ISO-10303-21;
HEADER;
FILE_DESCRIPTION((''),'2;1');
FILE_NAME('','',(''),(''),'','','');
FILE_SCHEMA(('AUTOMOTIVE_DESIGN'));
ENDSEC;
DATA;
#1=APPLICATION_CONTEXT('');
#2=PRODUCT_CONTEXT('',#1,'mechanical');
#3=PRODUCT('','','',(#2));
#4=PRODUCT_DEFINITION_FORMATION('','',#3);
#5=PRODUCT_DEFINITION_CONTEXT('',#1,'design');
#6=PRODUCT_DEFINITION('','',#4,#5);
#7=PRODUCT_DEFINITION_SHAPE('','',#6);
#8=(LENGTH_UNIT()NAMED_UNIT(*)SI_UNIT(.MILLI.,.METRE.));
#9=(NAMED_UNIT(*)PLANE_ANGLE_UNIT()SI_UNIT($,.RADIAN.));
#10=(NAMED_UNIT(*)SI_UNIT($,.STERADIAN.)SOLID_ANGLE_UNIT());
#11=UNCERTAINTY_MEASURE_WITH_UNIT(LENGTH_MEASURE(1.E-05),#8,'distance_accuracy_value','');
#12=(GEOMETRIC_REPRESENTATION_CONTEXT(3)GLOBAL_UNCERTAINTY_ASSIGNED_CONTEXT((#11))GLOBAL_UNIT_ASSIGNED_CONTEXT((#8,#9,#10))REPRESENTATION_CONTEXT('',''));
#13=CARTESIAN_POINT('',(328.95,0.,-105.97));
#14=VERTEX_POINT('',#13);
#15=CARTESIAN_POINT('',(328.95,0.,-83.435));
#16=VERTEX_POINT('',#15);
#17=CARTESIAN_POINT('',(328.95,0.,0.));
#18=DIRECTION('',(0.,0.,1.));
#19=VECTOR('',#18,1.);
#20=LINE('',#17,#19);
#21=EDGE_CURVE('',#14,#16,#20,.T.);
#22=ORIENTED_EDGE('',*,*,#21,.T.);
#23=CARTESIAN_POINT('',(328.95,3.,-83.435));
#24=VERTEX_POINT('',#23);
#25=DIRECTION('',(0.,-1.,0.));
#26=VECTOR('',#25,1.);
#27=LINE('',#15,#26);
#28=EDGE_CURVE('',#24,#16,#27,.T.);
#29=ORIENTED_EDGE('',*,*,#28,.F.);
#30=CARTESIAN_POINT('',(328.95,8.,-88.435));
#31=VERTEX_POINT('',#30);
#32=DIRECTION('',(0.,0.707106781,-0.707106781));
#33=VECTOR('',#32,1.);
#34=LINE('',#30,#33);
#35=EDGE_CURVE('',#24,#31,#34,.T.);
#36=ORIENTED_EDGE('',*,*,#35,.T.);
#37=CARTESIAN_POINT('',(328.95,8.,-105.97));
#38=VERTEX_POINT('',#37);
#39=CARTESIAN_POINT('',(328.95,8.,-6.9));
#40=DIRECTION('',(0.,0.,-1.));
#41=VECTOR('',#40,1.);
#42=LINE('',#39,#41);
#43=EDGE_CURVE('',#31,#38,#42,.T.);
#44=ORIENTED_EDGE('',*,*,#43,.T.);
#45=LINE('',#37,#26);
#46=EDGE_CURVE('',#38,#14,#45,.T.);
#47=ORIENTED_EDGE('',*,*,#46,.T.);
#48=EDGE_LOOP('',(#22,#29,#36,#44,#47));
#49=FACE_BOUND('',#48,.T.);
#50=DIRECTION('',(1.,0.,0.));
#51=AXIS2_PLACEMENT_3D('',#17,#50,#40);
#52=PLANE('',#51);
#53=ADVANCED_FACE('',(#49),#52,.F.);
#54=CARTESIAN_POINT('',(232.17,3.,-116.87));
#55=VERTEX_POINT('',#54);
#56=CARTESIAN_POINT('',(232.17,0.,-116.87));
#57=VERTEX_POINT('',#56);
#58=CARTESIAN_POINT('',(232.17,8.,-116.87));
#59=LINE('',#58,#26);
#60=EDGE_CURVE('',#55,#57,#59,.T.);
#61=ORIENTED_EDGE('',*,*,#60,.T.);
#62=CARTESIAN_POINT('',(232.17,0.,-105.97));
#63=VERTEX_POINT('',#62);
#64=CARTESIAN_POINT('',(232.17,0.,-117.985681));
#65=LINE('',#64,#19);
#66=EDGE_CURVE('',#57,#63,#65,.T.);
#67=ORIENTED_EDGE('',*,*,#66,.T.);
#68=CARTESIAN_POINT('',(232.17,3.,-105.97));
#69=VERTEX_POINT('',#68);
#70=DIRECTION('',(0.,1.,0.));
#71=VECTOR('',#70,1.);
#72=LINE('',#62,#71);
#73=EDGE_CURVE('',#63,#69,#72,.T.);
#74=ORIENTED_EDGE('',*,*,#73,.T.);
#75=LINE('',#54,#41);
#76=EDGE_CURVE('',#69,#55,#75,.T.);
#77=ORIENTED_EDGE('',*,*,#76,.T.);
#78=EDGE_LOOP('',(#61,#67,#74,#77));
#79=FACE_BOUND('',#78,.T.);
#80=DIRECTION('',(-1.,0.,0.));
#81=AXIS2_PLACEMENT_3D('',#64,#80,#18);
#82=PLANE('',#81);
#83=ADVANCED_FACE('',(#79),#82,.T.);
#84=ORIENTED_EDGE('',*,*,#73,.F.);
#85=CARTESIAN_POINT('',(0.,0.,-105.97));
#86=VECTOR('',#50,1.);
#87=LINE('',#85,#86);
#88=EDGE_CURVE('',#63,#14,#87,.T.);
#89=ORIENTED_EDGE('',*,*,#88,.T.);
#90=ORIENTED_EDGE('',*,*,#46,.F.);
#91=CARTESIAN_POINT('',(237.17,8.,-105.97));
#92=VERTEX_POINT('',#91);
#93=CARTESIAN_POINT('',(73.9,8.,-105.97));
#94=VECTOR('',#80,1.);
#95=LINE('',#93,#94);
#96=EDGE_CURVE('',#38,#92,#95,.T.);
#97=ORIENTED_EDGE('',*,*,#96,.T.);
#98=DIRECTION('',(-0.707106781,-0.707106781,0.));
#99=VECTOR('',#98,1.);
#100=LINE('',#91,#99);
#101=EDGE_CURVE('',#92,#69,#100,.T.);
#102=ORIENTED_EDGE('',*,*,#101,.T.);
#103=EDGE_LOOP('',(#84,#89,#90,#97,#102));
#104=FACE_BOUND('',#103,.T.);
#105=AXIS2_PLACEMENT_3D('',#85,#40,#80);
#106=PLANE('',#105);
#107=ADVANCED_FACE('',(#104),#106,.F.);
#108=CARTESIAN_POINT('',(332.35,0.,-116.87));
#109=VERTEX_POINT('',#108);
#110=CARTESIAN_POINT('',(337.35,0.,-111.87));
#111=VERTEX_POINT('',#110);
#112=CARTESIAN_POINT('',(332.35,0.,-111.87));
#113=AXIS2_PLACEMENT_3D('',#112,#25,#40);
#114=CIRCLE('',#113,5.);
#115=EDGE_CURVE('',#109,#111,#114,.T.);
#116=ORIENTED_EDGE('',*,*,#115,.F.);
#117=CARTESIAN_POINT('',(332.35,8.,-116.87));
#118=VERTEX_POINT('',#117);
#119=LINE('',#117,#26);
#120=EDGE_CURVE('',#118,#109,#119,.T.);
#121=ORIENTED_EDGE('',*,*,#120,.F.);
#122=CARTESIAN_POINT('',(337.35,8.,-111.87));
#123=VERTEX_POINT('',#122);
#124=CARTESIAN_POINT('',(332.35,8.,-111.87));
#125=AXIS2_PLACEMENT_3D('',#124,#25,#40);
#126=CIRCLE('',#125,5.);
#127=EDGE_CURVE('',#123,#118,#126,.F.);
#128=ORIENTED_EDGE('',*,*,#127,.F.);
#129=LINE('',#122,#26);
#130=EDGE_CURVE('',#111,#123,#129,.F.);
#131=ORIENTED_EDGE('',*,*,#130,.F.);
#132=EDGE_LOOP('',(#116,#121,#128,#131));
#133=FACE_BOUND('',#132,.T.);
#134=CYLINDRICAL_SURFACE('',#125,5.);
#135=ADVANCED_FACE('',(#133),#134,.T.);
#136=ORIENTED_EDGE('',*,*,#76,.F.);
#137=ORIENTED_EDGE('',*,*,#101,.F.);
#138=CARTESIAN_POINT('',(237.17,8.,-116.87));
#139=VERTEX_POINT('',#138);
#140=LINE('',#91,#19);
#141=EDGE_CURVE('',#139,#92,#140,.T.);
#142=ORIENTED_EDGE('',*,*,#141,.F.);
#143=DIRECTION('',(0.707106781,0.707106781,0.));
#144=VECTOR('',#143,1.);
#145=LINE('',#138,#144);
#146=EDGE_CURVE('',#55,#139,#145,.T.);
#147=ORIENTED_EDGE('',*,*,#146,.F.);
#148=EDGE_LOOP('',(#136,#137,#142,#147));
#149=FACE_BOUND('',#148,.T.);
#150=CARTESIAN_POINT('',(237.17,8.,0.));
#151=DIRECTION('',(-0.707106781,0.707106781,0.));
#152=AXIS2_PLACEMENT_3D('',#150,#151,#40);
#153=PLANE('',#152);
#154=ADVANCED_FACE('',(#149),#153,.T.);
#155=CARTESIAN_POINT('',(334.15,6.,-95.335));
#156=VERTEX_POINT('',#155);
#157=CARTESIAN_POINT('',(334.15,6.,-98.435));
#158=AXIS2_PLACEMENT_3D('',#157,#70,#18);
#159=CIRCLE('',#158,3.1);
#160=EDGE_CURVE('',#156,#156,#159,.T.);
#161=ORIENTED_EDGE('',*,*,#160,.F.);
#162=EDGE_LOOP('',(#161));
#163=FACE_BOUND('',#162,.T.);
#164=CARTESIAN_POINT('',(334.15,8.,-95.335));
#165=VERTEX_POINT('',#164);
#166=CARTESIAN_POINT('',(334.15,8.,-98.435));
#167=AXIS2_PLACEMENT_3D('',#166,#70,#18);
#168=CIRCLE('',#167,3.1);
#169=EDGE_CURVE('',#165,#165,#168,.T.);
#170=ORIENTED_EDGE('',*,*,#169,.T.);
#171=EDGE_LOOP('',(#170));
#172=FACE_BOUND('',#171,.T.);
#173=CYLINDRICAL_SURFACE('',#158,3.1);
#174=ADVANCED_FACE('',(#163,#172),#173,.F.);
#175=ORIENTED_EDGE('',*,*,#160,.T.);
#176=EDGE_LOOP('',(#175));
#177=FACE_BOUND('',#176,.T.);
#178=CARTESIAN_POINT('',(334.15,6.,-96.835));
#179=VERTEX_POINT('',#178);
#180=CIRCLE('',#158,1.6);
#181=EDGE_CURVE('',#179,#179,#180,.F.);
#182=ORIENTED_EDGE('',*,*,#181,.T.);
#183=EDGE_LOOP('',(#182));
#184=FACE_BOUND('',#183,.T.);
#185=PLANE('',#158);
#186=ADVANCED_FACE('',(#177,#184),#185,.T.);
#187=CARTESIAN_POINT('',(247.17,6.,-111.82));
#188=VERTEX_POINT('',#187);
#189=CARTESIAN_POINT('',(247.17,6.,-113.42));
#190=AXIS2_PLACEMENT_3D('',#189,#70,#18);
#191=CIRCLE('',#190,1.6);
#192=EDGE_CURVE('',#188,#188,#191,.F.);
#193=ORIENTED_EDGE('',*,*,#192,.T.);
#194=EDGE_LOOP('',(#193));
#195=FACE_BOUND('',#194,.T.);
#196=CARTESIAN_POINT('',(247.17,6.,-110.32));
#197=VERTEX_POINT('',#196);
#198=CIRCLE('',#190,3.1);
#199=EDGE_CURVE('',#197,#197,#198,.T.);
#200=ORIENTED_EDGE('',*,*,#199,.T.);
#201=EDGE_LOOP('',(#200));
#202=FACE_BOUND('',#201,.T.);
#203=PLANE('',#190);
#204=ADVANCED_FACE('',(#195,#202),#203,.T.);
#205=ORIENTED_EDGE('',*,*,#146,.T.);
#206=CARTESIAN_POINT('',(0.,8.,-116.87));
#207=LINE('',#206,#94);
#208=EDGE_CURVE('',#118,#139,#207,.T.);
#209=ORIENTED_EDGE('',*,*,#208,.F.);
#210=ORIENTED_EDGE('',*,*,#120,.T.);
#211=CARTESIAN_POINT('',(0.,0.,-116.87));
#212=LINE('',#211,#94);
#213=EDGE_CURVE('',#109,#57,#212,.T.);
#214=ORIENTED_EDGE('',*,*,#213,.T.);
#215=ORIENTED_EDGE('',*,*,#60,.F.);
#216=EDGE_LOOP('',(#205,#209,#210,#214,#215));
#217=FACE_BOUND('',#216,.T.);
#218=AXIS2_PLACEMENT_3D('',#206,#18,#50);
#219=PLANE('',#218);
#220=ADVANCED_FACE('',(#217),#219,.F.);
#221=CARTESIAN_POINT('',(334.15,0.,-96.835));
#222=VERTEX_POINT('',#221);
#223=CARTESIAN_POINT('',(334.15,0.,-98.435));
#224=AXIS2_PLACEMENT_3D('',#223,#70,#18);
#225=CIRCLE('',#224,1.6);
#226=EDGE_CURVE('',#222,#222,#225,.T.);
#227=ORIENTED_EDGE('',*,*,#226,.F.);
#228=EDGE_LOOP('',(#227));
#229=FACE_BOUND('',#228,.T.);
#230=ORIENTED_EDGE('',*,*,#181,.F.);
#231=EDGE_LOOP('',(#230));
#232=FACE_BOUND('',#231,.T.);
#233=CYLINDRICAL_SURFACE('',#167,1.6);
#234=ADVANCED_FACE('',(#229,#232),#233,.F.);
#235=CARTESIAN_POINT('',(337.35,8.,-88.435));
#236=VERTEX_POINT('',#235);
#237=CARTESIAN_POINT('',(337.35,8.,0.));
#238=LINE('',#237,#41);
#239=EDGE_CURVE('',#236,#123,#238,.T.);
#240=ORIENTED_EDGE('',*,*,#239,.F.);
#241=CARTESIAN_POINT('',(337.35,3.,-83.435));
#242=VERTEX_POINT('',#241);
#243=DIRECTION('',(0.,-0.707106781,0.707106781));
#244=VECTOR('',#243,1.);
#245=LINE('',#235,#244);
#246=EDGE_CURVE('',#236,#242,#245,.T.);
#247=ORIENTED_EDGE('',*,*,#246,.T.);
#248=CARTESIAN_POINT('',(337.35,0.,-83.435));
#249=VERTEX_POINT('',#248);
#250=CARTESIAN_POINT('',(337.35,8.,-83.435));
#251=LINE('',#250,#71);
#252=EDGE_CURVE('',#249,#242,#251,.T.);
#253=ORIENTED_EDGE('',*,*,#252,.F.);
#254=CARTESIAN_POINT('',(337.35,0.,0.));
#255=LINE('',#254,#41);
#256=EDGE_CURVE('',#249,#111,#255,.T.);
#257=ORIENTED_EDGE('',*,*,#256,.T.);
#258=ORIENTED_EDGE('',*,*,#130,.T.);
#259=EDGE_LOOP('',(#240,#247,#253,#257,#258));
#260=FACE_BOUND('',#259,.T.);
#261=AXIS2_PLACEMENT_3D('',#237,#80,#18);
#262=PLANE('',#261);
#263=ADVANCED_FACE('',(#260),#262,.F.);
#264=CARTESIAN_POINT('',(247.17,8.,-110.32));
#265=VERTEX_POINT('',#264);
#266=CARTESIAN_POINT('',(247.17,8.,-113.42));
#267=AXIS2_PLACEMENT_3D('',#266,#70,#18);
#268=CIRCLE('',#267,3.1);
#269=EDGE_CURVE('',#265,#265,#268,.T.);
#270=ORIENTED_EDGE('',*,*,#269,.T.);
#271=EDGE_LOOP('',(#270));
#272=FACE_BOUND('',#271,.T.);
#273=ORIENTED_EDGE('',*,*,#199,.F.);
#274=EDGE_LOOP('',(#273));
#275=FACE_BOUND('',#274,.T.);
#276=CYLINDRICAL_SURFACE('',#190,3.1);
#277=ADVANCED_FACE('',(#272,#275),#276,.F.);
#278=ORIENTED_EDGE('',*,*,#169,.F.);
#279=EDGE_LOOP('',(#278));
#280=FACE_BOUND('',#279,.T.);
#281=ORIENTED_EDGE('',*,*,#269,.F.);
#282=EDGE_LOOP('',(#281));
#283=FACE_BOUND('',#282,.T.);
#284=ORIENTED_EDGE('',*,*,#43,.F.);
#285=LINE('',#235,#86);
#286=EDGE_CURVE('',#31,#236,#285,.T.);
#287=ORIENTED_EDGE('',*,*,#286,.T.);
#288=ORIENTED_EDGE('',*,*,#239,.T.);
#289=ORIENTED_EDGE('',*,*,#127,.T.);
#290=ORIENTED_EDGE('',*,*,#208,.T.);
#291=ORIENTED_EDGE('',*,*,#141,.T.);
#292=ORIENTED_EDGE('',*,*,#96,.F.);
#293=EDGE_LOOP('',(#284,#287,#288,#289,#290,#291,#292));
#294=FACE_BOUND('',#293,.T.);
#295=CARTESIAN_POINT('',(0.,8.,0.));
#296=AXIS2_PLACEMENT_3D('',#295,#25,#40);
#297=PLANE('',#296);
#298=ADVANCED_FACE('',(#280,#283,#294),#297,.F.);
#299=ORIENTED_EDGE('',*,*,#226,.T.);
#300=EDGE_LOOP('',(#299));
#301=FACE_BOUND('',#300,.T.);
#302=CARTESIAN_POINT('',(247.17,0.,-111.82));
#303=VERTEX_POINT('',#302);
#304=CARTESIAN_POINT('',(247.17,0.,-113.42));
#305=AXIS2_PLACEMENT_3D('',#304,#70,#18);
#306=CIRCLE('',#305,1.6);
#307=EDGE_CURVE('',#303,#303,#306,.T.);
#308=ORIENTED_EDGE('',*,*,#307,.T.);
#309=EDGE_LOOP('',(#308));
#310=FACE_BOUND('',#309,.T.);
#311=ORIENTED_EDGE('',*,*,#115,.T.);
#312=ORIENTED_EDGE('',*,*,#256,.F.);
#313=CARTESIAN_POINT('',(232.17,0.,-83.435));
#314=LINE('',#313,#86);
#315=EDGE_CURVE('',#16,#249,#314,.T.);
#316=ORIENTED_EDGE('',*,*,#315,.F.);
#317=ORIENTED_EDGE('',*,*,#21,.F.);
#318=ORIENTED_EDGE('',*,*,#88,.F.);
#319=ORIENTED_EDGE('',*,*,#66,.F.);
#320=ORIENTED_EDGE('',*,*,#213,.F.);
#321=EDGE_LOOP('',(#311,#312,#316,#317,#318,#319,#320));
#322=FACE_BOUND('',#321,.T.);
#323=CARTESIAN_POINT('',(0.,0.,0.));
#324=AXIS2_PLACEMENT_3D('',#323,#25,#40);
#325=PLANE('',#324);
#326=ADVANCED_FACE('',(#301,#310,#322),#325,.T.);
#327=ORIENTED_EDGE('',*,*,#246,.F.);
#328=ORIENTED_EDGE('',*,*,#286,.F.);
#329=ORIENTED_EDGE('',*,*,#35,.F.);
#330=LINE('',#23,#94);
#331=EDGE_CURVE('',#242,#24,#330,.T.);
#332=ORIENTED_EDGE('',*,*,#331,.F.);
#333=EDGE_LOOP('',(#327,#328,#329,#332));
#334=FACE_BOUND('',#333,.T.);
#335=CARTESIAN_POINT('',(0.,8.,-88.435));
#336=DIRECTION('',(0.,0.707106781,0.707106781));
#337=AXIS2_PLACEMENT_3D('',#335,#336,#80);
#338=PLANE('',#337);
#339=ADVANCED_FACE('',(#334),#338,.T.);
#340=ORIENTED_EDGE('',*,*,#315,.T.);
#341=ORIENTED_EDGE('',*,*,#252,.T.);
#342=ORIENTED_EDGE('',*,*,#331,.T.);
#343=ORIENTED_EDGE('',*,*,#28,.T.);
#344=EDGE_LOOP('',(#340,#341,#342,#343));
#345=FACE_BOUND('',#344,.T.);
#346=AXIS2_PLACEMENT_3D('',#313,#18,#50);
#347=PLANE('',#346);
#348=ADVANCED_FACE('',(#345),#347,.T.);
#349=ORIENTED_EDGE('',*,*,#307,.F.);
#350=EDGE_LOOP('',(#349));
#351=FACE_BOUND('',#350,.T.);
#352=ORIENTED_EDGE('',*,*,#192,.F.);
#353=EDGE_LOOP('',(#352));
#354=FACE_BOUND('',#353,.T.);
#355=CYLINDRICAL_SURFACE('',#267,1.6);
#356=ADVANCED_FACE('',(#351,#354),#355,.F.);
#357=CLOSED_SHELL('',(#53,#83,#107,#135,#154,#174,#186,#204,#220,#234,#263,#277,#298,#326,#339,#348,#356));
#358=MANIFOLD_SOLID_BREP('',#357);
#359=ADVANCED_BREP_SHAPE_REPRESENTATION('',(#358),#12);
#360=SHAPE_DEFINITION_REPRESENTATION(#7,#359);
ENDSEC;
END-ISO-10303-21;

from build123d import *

# Parameters (mm, degrees)
SKETCH_1_W              = 337.35
SKETCH_1_H              = 116.87
SKETCH_1_W_2            = 324.05
SKETCH_1_H_2            = 103.07
EXTRUDE_1_DEPTH         = 8
FILLET_1_R              = 5
HOLE_WIZARD_3_2_3_2_1_D = 3.2
SKETCH_5_W              = 32
SKETCH_5_H              = 1.5
CUT_EXTRUDE_1_DEPTH     = 355.911853
EXTRUDE_2_REACH         = 356.912
SKETCH_6_W              = 3
SKETCH_6_H              = 8
SKETCH_7_W              = 257.05
SKETCH_7_H              = 8
EXTRUDE_3_DEPTH         = 4
SKETCH_8_W              = 257.05
SKETCH_8_H              = 4
EXTRUDE_4_DEPTH         = 3
SKETCH_11_W             = 99.07
SKETCH_11_H             = 11
EXTRUDE_5_DEPTH         = 2
SKETCH_13_W             = 42
SKETCH_13_H             = 4.5
CUT_EXTRUDE_2_DEPTH     = 354.692894189
SKETCH_14_W             = 121.5
SKETCH_14_H             = 1.5
CUT_EXTRUDE_3_DEPTH     = 355.911853
SKETCH_16_W             = 32
SKETCH_16_H             = 6.5
EXTRUDE_7_DEPTH         = 4
SKETCH_17_W             = 103.07
SKETCH_17_H             = 3
CUT_EXTRUDE_4_DEPTH     = 0.1
EXTRUDE_8_DEPTH         = 2
SKETCH_19_W             = 70.55
SKETCH_19_H             = 2
SKETCH_19_W_2           = 95
EXTRUDE_9_DEPTH         = 3
SKETCH_20_R             = 3.5
CUT_EXTRUDE_5_DEPTH     = 4
SKETCH_21_R             = 3.1
CUT_EXTRUDE_6_DEPTH     = 2
EXTRUDE_10_DEPTH        = 2
EXTRUDE_10_DEPTH_BACK   = 3
SKETCH_22_W             = 6
SKETCH_22_H             = 6
SKETCH_22_R             = 1.5
SKETCH_23_W             = 10
SKETCH_23_H             = 1.5
SKETCH_23_W_2           = 15
CUT_EXTRUDE_7_DEPTH     = 6.9
SKETCH_24_W             = 103.07
SKETCH_24_H             = 3
CUT_EXTRUDE_8_DEPTH     = 358.110094229
SKETCH_25_W             = 466.496248886
SKETCH_25_H             = 203.631856069
SKETCH_25_W_2           = 113.515173444
SKETCH_25_H_2           = 34.550681359
CUT_EXTRUDE_9_DEPTH     = 358.110094229
CHAMFER_1_SIZE          = 5
SKETCH_26_W             = 42
SKETCH_26_H             = 10.9
EXTRUDE_11_DEPTH        = 1.5


with BuildPart() as part:
    # 草图1 → 凸台-拉伸1 (new body)
    with BuildSketch(Plane(origin=(0, 0, 0), x_dir=(1, 0, 0), z_dir=(0, 1, 0))):
        with Locations((168.675, 58.435)):
            Rectangle(SKETCH_1_W, SKETCH_1_H)
        with Locations((168.925, 58.435)):
            Rectangle(SKETCH_1_W_2, SKETCH_1_H_2, mode=Mode.SUBTRACT)
    extrude(amount=EXTRUDE_1_DEPTH)

    # 圆角1
    fillet_1_edges = [part.edges().sort_by_distance(p)[0] for p in [
        (0, 4, -116.87),
        (337.35, 4, -116.87),
        (337.35, 4, 0),
        (0, 4, 0),
    ]]
    fillet(fillet_1_edges, radius=FILLET_1_R)

    # Ø3.2 (3.2) 直径孔1 (through all)
    with Locations(Plane(origin=(0, 8, 0), x_dir=(1, 0, 0), z_dir=(0, 1, 0))):
        with Locations((3.45, 98.435), (87.17, 113.42), (247.17, 113.42), (334.15, 98.435), (334.15, 18.435), (247.17, 3.45), (87.17, 3.45), (3.45, 18.435)):
            Hole(HOLE_WIZARD_3_2_3_2_1_D / 2)

    # 草图5 → 切除-拉伸1 (cut, through all)
    with BuildSketch(Plane.XY.offset(-109.97)):
        with Locations((57.9, 0.75)):
            Rectangle(SKETCH_5_W, SKETCH_5_H)
    extrude(amount=-CUT_EXTRUDE_1_DEPTH, mode=Mode.SUBTRACT)

    # 草图6 → 凸台-拉伸2 (add, up to next)
    with BuildSketch(Plane.XY.offset(-109.97), mode=Mode.PRIVATE) as extrude_2_sk1:
        with Locations((40.4, 4)):
            Rectangle(SKETCH_6_W, SKETCH_6_H)
    extrude_2_tool1 = extrude(extrude_2_sk1.sketch, amount=EXTRUDE_2_REACH, mode=Mode.PRIVATE) - part.part
    add(extrude_2_tool1.solids().sort_by_distance((40.4, 4, -109.97))[0])

    # 草图7 → 凸台-拉伸3 (add)
    with BuildSketch(Plane.XY.offset(-109.97)):
        with Locations((202.425, 4)):
            Rectangle(SKETCH_7_W, SKETCH_7_H)
    extrude(amount=EXTRUDE_3_DEPTH)

    # 草图8 → 凸台-拉伸4 (add)
    with BuildSketch(Plane.XZ):
        with Locations((202.425, -107.97)):
            Rectangle(SKETCH_8_W, SKETCH_8_H)
    extrude(amount=EXTRUDE_4_DEPTH)

    # 草图11 → 凸台-拉伸5 (add)
    with BuildSketch(Plane.ZY.offset(-330.95)):
        with Locations((-56.435, 2.5)):
            Rectangle(SKETCH_11_W, SKETCH_11_H)
    extrude(amount=EXTRUDE_5_DEPTH)

    # 草图13 → 切除-拉伸2 (cut, through all)
    with BuildSketch(Plane.XY.offset(-105.97)):
        with Locations((307.95, -0.75)):
            Rectangle(SKETCH_13_W, SKETCH_13_H)
    extrude(amount=-CUT_EXTRUDE_2_DEPTH, mode=Mode.SUBTRACT)

    # 草图14 → 切除-拉伸3 (cut, through all)
    with BuildSketch(Plane(origin=(0, 0, -6.9), x_dir=(-1, 0, 0), z_dir=(0, 0, -1))):
        with Locations((-173.2, 0.75)):
            Rectangle(SKETCH_14_W, SKETCH_14_H)
    extrude(amount=-CUT_EXTRUDE_3_DEPTH, mode=Mode.SUBTRACT)

    # 草图16 → 凸台-拉伸7 (add)
    with BuildSketch(Plane.XY.offset(-109.97)):
        with Locations((57.9, 4.75)):
            Rectangle(SKETCH_16_W, SKETCH_16_H)
    extrude(amount=EXTRUDE_7_DEPTH)

    # 草图17 → 切除-拉伸4 (cut)
    with BuildSketch(Plane(origin=(330.95, 0, 0), x_dir=(0, 0, -1), z_dir=(1, 0, 0))):
        with Locations((58.435, -1.5)):
            Rectangle(SKETCH_17_W, SKETCH_17_H)
    extrude(amount=-CUT_EXTRUDE_4_DEPTH, mode=Mode.SUBTRACT)

    # 草图18 → 凸台-拉伸8 (add)
    with BuildSketch(Plane(origin=(0, 0, -6.9), x_dir=(-1, 0, 0), z_dir=(0, 0, -1))):
        Polygon((-233.95, 0), (-233.95, 1.5), (-112.45, 1.5), (-112.45, 0), (-41.9, 0), (-41.9, 8), (-328.95, 8), (-328.95, 0), align=None)
    extrude(amount=EXTRUDE_8_DEPTH)

    # 草图19 → 凸台-拉伸9 (add)
    with BuildSketch(Plane.XZ):
        with Locations((77.175, -7.9)):
            Rectangle(SKETCH_19_W, SKETCH_19_H)
        with Locations((281.45, -7.9)):
            Rectangle(SKETCH_19_W_2, SKETCH_19_H)
    extrude(amount=EXTRUDE_9_DEPTH)

    # 草图20 → 切除-拉伸5 (cut)
    with BuildSketch(Plane.XZ.offset(3)):
        with Locations((92.088456012, -9.54)):
            Circle(SKETCH_20_R)
        with Locations((262.268456012, -9.54)):
            Circle(SKETCH_20_R)
        with Locations((328.308456012, -13.35)):
            Circle(SKETCH_20_R)
        with Locations((328.308456012, -74.31)):
            Circle(SKETCH_20_R)
        with Locations((137.808456012, -107.33)):
            Circle(SKETCH_20_R)
        with Locations((22.238456012, -9.54)):
            Circle(SKETCH_20_R)
        with Locations((9.538456012, -23.51)):
            Circle(SKETCH_20_R)
        with Locations((9.538456012, -103.52)):
            Circle(SKETCH_20_R)
    extrude(amount=-CUT_EXTRUDE_5_DEPTH, mode=Mode.SUBTRACT)

    # 草图21 → 切除-拉伸6 (cut)
    with BuildSketch(Plane(origin=(0, 8, 0), x_dir=(1, 0, 0), z_dir=(0, 1, 0))):
        with Locations(Location((87.17, 113.42, 0), (0, 0, 270))):
            Circle(SKETCH_21_R)
        with Locations(Location((247.17, 113.42, 0), (0, 0, 270))):
            Circle(SKETCH_21_R)
        with Locations(Location((334.15, 98.435, 0), (0, 0, 270))):
            Circle(SKETCH_21_R)
        with Locations(Location((334.15, 18.435, 0), (0, 0, 270))):
            Circle(SKETCH_21_R)
        with Locations(Location((247.17, 3.45, 0), (0, 0, 270))):
            Circle(SKETCH_21_R)
        with Locations(Location((87.17, 3.45, 0), (0, 0, 270))):
            Circle(SKETCH_21_R)
        with Locations(Location((3.45, 18.435, 0), (0, 0, 270))):
            Circle(SKETCH_21_R)
        with Locations(Location((3.45, 98.435, 0), (0, 0, 270))):
            Circle(SKETCH_21_R)
    extrude(amount=-CUT_EXTRUDE_6_DEPTH, mode=Mode.SUBTRACT)

    # 草图22 → 凸台-拉伸10 (add, two sides: drawn at the far end of the back side and taken through both)
    # profile 1 of 4: a face of its own
    with BuildSketch(Plane(origin=(0, 4, 0), x_dir=(1, 0, 0), z_dir=(0, 1, 0)).offset(-EXTRUDE_10_DEPTH_BACK)):
        with Locations((9.9, 106.97)):
            Rectangle(SKETCH_22_W, SKETCH_22_H)
        with Locations(Location((9.9, 106.97, 0), (0, 0, 90))):
            Circle(SKETCH_22_R, mode=Mode.SUBTRACT)
    # profile 2 of 4: a face of its own
    with BuildSketch(Plane(origin=(0, 4, 0), x_dir=(1, 0, 0), z_dir=(0, 1, 0)).offset(-EXTRUDE_10_DEPTH_BACK)):
        with Locations((35.9, 106.97)):
            Rectangle(SKETCH_22_W, SKETCH_22_H)
        with Locations(Location((35.9, 106.97, 0), (0, 0, 90))):
            Circle(SKETCH_22_R, mode=Mode.SUBTRACT)
    # profile 3 of 4: a face of its own
    with BuildSketch(Plane(origin=(0, 4, 0), x_dir=(1, 0, 0), z_dir=(0, 1, 0)).offset(-EXTRUDE_10_DEPTH_BACK)):
        with Locations((9.9, 9.9)):
            Rectangle(SKETCH_22_W, SKETCH_22_H)
        with Locations(Location((9.9, 9.9, 0), (0, 0, 90))):
            Circle(SKETCH_22_R, mode=Mode.SUBTRACT)
    # profile 4 of 4: a face of its own
    with BuildSketch(Plane(origin=(0, 4, 0), x_dir=(1, 0, 0), z_dir=(0, 1, 0)).offset(-EXTRUDE_10_DEPTH_BACK)):
        with Locations((35.9, 9.9)):
            Rectangle(SKETCH_22_W, SKETCH_22_H)
        with Locations(Location((35.9, 9.9, 0), (0, 0, 90))):
            Circle(SKETCH_22_R, mode=Mode.SUBTRACT)
    extrude(amount=EXTRUDE_10_DEPTH + EXTRUDE_10_DEPTH_BACK)

    # 草图23 → 切除-拉伸7 (cut)
    with BuildSketch(Plane.ZY):
        with Locations((-63.435, 0.75)):
            Rectangle(SKETCH_23_W, SKETCH_23_H)
        with Locations((-50.935, 0.75)):
            Rectangle(SKETCH_23_W_2, SKETCH_23_H)
    extrude(amount=-CUT_EXTRUDE_7_DEPTH, mode=Mode.SUBTRACT)

    # 草图24 → 切除-拉伸8 (cut, through all)
    with BuildSketch(Plane(origin=(337.35, 0, 0), x_dir=(0, 0, -1), z_dir=(1, 0, 0))):
        with Locations((58.435, -1.5)):
            Rectangle(SKETCH_24_W, SKETCH_24_H)
    extrude(amount=-CUT_EXTRUDE_8_DEPTH, mode=Mode.SUBTRACT)

    # 草图25 → 切除-拉伸9 (cut, through all)
    with BuildSketch(Plane(origin=(0, 8, 0), x_dir=(1, 0, 0), z_dir=(0, 1, 0))):
        with Locations((204.544170856, 58.459603301)):
            Rectangle(SKETCH_25_W, SKETCH_25_H)
        with Locations((288.927586722, 100.71034068)):
            Rectangle(SKETCH_25_W_2, SKETCH_25_H_2, mode=Mode.SUBTRACT)
    extrude(amount=-CUT_EXTRUDE_9_DEPTH, mode=Mode.SUBTRACT)

    # 倒角1
    chamfer_1_edges = [part.edges().sort_by_distance(p)[0] for p in [
        (333.15, 8, -83.435),
        (232.17, 8, -111.42),
    ]]
    chamfer(chamfer_1_edges, length=CHAMFER_1_SIZE)

    # 草图26 → 凸台-拉伸11 (add)
    with BuildSketch(Plane.XZ.offset(-1.5)):
        with Locations((307.95, -111.42)):
            Rectangle(SKETCH_26_W, SKETCH_26_H)
    extrude(amount=EXTRUDE_11_DEPTH)


solid = part.part
